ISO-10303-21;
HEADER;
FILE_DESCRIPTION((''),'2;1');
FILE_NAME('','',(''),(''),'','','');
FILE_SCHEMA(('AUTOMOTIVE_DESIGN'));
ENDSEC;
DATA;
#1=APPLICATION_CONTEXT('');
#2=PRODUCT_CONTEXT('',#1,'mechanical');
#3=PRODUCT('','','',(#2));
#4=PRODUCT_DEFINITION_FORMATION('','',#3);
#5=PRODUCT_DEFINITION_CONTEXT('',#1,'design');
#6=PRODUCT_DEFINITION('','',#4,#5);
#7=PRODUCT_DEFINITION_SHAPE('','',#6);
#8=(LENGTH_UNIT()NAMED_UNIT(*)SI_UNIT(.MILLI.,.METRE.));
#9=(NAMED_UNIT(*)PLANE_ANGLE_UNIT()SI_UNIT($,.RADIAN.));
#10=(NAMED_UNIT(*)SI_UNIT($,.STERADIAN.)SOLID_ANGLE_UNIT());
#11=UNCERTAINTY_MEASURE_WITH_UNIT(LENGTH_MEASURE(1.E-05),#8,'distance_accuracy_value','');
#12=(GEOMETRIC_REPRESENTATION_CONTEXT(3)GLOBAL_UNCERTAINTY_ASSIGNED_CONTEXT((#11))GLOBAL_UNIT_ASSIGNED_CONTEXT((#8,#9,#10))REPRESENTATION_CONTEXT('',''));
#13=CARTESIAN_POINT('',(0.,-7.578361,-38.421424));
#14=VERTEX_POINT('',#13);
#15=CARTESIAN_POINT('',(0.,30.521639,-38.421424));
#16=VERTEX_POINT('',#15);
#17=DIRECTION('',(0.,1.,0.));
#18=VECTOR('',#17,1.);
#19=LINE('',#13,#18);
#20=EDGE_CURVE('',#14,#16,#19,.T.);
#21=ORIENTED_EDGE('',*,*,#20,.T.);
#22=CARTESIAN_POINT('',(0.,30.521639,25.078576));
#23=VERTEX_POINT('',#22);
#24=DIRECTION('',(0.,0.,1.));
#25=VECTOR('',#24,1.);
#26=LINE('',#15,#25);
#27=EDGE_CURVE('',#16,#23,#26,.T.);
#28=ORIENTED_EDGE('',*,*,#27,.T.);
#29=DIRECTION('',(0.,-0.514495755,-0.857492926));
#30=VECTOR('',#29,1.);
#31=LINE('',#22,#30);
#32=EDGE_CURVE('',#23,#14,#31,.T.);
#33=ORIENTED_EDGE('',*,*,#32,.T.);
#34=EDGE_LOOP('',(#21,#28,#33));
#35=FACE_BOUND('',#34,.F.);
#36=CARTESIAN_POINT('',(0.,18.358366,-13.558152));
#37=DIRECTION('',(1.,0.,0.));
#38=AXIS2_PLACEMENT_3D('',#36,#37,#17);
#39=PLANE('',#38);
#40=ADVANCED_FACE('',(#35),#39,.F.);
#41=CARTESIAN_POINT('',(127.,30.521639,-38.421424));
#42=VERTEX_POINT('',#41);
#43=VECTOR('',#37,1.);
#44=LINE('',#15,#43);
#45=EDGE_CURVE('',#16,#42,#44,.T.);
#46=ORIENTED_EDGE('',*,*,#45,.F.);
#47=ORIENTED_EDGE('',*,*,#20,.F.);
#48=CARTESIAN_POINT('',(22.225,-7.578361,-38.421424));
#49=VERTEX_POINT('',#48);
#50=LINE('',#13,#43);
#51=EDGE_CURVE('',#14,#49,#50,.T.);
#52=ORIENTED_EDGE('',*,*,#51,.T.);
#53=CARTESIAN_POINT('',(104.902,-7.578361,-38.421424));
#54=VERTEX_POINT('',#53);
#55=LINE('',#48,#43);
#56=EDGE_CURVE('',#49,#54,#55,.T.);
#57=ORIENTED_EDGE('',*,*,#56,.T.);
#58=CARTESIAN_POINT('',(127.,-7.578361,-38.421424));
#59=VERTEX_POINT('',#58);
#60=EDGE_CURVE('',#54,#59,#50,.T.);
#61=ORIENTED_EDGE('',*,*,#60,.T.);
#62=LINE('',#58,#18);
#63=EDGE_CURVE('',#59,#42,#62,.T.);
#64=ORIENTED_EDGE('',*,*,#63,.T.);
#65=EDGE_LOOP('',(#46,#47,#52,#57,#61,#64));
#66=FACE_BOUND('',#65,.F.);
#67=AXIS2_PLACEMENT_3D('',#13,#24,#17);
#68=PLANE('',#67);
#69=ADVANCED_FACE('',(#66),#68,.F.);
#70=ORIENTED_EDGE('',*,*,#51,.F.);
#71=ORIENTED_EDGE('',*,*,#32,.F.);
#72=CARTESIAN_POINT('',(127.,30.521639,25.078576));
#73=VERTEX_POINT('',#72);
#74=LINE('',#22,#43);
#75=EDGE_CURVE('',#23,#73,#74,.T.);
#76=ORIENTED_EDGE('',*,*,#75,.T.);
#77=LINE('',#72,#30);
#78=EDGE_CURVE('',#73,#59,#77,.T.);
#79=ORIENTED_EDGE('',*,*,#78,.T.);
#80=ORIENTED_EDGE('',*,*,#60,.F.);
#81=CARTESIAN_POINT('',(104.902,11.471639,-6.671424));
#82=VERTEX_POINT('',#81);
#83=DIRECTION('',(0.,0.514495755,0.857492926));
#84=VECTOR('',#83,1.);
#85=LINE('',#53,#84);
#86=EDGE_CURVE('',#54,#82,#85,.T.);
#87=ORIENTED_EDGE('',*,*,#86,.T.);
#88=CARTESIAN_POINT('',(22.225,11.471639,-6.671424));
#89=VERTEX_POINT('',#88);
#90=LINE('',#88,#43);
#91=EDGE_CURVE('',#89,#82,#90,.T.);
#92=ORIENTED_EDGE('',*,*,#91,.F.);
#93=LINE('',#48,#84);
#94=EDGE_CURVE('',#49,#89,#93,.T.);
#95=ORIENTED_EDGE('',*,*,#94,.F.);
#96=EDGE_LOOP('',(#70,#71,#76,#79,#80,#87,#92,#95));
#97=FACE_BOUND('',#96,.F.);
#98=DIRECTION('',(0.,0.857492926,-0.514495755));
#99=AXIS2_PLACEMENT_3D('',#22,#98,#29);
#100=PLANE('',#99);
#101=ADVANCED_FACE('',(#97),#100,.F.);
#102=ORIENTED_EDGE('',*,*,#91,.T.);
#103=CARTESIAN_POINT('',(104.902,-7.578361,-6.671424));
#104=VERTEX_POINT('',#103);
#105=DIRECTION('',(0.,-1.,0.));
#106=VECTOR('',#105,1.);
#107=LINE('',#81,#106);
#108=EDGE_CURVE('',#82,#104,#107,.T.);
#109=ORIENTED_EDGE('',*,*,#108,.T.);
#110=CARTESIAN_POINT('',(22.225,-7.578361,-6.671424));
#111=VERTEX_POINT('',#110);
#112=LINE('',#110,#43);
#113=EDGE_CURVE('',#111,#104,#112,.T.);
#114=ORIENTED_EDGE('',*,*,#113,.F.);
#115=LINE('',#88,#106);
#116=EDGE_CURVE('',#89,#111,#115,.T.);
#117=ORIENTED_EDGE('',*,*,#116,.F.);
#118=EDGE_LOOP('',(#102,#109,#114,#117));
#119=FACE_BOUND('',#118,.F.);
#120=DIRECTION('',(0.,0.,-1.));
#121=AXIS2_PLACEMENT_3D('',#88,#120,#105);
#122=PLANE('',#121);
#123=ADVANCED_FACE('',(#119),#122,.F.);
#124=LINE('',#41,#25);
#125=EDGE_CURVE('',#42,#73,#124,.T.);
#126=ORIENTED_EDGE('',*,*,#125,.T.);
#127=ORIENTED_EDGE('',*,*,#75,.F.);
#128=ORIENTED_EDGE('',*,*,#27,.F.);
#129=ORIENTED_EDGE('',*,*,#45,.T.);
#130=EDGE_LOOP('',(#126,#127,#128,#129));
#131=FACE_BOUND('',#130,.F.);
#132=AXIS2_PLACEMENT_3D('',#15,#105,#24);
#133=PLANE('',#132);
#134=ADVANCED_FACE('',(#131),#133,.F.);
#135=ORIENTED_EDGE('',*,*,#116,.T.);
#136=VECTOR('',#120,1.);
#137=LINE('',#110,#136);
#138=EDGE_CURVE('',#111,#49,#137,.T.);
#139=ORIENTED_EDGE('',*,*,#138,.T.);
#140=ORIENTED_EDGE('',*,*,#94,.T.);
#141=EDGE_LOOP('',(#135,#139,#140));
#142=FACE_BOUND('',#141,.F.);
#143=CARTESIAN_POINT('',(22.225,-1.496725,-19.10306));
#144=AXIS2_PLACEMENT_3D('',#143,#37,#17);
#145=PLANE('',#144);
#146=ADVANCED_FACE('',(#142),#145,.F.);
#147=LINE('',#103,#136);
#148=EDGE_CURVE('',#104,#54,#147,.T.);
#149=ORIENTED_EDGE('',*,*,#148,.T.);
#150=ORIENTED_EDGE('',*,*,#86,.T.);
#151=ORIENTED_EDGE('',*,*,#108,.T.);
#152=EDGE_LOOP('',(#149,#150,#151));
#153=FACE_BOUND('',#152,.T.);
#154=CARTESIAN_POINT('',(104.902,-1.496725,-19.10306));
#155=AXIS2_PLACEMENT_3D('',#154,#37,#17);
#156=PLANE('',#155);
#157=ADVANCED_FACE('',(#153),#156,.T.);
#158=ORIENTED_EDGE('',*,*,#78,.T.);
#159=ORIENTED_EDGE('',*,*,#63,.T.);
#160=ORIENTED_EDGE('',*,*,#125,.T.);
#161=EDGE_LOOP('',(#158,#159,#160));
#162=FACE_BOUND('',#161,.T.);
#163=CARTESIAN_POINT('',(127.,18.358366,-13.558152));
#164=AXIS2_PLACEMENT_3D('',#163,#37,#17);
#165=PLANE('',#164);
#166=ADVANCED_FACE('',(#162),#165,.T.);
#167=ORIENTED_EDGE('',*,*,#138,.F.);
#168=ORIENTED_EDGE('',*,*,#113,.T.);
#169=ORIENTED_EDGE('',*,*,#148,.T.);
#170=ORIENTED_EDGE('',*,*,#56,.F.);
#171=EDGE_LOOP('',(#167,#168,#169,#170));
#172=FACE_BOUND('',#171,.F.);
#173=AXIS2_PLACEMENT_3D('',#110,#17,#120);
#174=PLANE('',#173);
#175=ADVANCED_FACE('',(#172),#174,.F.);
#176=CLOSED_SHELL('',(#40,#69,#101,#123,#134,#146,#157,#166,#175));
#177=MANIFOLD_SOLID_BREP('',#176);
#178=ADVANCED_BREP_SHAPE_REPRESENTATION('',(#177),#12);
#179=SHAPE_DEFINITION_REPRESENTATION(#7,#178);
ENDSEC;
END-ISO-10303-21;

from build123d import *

# Parameters (mm, degrees)
F1_DEPTH = 127
F2_START = 22.225
F2_DEPTH = 82.677


with BuildPart() as f1:
    # F0 (on Right) → F1 (new body)
    with BuildSketch(Plane.YZ):
        Polygon((30.5216386862, -38.4214240238), (30.5216386862, 25.0785759762), (11.4716386862, -6.6714240238), (-7.5783613138, -38.4214240238), align=None)
    extrude(amount=F1_DEPTH)

    # F0 (on Right) → F2 (join)
    with BuildSketch(Plane.YZ.offset(F2_START)):
        Polygon((-7.5783613138, -38.4214240238), (11.4716386862, -6.6714240238), (-7.5783613138, -6.6714240238), align=None)
    extrude(amount=F2_DEPTH)


solid = f1.part
